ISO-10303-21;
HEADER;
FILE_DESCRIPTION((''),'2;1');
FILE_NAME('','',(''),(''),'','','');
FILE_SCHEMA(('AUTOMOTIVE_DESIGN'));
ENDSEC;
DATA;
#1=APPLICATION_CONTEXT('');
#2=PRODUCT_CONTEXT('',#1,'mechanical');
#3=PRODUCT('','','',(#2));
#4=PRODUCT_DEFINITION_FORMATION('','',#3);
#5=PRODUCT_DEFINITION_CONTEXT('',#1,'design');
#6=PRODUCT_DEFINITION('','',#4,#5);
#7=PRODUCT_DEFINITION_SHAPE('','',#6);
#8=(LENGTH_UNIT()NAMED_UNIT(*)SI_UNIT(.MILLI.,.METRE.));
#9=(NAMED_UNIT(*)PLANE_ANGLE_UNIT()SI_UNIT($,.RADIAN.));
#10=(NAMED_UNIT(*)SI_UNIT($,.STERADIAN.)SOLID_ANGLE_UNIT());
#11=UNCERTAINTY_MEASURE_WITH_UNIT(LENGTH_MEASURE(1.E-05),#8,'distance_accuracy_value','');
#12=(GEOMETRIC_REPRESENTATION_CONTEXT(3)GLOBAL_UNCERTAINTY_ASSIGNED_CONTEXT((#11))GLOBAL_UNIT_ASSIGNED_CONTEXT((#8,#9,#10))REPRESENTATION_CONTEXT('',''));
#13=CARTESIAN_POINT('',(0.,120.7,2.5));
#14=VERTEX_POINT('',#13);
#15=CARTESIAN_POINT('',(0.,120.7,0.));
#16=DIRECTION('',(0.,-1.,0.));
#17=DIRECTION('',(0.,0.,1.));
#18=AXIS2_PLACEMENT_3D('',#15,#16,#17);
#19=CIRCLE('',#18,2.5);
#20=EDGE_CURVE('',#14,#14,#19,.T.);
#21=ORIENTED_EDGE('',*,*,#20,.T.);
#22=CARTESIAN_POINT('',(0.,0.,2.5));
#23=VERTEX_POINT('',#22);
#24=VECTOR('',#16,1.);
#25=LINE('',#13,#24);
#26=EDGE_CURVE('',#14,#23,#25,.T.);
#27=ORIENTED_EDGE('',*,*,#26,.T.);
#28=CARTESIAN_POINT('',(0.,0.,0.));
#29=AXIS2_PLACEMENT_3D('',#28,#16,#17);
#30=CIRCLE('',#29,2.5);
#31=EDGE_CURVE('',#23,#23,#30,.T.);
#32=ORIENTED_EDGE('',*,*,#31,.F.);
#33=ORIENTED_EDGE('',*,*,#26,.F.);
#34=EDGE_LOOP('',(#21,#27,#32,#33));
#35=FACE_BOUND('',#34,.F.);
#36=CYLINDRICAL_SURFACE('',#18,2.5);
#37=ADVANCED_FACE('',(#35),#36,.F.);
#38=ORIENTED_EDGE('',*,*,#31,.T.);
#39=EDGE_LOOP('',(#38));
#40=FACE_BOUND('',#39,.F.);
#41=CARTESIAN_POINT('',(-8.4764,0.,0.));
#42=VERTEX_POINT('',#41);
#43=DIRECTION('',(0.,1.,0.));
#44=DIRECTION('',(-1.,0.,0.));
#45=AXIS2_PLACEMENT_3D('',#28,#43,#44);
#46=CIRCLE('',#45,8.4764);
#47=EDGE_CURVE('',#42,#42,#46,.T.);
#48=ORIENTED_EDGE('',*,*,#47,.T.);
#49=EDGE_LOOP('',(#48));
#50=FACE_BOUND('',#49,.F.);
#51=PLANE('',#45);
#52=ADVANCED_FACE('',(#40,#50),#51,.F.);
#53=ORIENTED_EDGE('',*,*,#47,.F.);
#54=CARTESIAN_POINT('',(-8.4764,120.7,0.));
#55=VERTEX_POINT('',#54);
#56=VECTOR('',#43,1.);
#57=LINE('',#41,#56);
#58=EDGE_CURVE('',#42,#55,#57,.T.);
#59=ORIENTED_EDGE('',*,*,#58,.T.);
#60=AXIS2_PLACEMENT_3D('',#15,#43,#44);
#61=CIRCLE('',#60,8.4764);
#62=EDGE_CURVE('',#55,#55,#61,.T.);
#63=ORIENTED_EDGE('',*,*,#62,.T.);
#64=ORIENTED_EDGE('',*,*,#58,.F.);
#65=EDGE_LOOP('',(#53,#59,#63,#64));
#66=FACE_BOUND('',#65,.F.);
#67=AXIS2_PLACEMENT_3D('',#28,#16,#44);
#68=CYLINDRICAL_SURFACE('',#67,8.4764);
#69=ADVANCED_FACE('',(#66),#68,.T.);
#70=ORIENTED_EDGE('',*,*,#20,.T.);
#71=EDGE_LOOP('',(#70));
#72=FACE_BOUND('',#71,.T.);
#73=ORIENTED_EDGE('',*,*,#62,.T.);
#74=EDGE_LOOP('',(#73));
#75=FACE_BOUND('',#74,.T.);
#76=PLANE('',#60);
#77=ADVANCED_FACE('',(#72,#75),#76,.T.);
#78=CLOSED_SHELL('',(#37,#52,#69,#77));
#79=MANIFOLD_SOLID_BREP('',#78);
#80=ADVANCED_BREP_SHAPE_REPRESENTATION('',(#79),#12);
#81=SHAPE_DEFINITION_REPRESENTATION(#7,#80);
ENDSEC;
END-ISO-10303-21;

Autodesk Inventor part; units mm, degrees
ref_plane "YZ Plane" through (0, 0, 0) normal (1, 0, 0) x (0, 1, 0)
ref_plane "XZ Plane" through (0, 0, 0) normal (0, 1, 0) x (-1, 0, 0)
ref_plane "XY Plane" through (0, 0, 0) normal (0, 0, 1) x (1, 0, 0)
sketch "Boceto1" plane through (0, 0, 0) normal (0, 1, 0) x (-1, 0, 0)
  circle A0 centre (0, 0) radius 8.4764
extrude "Extrusión1" add sketch "Boceto1" along normal blind 120.7
sketch "Boceto2" plane through (0, 120.7, 0) normal (0, 1, 0) x (1, 0, 0)
  point P0 (0, 0)
hole "Agujero1" at (0, 120.7, 0) direction (0, -1, 0) diameter 5 end through all
properties part number "soporte lente de arriba horizontal MOT"
